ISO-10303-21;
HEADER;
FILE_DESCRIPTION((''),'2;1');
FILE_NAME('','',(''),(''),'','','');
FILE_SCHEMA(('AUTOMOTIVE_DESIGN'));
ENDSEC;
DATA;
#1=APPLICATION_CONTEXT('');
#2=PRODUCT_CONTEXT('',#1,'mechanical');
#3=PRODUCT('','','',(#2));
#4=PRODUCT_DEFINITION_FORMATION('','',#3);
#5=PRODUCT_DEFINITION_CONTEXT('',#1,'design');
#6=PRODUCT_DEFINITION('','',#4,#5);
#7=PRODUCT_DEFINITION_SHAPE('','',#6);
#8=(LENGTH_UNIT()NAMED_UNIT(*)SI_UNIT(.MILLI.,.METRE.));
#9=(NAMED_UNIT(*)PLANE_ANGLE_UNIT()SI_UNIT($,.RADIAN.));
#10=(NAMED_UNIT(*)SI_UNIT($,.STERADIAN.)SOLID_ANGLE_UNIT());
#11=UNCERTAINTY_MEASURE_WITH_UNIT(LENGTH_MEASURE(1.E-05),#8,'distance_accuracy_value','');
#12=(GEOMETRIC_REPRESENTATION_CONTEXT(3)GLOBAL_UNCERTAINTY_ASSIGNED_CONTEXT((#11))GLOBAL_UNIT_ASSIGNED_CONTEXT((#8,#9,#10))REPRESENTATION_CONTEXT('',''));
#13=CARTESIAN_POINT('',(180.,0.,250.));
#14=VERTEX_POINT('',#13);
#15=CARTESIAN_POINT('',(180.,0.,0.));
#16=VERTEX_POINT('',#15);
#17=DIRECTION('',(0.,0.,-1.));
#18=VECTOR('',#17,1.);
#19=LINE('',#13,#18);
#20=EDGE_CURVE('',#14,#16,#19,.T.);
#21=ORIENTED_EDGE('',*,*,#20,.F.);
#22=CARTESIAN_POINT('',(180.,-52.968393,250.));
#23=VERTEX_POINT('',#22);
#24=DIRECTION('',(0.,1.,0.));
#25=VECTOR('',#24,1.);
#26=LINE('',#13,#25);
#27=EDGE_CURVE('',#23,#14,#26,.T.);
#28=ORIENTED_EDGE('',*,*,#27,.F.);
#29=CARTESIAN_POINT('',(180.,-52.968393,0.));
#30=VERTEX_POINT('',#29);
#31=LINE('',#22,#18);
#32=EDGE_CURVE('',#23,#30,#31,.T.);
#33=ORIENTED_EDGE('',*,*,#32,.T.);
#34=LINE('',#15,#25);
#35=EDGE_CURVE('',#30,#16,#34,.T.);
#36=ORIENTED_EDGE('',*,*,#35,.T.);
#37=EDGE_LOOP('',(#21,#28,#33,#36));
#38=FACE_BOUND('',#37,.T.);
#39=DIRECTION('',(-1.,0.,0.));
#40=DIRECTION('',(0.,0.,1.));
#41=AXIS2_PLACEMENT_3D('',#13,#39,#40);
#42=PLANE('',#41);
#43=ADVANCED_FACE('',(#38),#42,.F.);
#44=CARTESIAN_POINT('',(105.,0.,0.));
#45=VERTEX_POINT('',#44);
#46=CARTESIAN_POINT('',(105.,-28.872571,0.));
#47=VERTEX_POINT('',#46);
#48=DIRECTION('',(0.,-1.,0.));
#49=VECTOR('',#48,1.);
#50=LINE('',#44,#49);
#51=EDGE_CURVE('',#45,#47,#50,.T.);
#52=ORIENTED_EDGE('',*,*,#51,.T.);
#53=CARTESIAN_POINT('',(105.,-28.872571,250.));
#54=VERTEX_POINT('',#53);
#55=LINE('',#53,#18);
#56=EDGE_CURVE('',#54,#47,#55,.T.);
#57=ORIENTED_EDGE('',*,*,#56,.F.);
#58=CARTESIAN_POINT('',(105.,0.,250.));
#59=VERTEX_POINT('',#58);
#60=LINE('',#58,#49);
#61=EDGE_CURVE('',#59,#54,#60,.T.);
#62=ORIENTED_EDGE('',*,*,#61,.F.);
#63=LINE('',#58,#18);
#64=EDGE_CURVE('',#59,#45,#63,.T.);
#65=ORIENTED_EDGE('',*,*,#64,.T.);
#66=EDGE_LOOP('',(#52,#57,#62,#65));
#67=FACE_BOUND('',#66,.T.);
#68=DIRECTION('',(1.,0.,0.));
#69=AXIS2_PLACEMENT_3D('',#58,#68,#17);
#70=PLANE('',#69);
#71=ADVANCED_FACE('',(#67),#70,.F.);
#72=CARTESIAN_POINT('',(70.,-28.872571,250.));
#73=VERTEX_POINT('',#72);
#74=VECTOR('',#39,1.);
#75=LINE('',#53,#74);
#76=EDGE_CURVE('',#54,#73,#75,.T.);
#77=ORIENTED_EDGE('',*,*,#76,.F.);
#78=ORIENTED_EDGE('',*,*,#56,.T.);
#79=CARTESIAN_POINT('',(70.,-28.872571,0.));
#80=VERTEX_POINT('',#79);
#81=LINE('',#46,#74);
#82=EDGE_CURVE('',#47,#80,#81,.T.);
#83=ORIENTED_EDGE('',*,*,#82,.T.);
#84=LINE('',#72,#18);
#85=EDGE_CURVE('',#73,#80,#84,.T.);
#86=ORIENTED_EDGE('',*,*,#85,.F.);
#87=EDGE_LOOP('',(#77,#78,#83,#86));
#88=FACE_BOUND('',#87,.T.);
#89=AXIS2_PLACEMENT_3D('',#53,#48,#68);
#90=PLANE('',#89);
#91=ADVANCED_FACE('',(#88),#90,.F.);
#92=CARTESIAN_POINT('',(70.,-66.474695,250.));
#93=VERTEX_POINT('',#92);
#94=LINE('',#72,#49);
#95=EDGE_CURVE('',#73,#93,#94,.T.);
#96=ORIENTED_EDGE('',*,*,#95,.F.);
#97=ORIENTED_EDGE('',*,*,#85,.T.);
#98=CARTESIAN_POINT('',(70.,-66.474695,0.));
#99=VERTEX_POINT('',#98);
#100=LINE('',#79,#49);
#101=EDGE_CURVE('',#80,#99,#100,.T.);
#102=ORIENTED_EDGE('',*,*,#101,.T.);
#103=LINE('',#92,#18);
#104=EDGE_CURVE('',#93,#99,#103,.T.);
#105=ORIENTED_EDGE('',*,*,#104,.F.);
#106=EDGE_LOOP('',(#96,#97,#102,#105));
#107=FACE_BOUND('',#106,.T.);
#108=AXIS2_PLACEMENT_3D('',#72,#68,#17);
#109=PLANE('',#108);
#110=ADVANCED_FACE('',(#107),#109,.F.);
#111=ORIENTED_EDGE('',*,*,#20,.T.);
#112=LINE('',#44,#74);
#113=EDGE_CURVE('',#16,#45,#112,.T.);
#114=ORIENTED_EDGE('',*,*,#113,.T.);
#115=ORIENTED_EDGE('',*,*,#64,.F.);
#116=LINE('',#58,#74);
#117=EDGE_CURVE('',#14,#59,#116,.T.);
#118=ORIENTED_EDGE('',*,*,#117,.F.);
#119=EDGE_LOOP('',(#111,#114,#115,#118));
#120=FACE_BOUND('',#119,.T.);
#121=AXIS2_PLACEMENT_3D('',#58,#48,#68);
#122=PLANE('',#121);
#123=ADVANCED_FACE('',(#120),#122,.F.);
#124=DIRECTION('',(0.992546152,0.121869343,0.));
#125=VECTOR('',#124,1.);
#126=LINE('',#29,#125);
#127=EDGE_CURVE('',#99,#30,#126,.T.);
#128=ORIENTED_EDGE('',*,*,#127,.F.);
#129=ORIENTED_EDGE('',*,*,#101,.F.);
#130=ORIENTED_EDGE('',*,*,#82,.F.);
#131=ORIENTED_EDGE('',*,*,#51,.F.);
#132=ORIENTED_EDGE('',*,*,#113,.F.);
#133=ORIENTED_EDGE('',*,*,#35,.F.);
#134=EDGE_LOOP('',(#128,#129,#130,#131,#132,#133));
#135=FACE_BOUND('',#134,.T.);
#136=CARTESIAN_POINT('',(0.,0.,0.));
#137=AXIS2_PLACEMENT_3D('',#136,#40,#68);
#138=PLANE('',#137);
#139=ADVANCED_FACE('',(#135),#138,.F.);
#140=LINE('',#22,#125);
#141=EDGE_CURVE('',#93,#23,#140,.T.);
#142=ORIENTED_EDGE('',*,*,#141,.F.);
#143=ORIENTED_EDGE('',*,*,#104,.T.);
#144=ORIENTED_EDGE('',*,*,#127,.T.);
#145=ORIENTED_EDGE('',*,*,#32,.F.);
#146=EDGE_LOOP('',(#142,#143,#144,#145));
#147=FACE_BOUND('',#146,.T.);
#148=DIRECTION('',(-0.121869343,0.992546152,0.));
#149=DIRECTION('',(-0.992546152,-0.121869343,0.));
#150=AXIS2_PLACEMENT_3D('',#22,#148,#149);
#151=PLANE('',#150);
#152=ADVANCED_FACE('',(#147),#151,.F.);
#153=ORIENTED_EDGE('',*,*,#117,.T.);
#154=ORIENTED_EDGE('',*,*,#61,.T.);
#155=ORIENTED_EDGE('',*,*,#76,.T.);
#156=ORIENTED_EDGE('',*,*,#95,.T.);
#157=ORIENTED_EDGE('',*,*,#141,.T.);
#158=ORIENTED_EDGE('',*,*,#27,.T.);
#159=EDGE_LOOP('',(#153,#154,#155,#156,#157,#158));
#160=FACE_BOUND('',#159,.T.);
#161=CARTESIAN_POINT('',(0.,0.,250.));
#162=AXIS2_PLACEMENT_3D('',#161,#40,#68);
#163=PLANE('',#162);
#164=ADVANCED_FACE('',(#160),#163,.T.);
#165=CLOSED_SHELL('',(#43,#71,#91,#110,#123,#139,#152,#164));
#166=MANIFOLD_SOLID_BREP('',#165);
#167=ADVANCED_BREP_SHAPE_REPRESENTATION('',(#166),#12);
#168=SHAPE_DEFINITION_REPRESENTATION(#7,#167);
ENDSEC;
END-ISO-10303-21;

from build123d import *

# Parameters (mm, degrees)
BOSS_EXTRUDE1_DEPTH = 250


with BuildPart() as part:
    # Sketch2 → Boss-Extrude1 (new body)
    with BuildSketch(Plane.XY):
        Polygon((105, 0), (180, 0), (180, -52.96839306), (70, -66.474694759), (70, -28.872571319), (105, -28.872571319), align=None)
    extrude(amount=BOSS_EXTRUDE1_DEPTH)


solid = part.part
